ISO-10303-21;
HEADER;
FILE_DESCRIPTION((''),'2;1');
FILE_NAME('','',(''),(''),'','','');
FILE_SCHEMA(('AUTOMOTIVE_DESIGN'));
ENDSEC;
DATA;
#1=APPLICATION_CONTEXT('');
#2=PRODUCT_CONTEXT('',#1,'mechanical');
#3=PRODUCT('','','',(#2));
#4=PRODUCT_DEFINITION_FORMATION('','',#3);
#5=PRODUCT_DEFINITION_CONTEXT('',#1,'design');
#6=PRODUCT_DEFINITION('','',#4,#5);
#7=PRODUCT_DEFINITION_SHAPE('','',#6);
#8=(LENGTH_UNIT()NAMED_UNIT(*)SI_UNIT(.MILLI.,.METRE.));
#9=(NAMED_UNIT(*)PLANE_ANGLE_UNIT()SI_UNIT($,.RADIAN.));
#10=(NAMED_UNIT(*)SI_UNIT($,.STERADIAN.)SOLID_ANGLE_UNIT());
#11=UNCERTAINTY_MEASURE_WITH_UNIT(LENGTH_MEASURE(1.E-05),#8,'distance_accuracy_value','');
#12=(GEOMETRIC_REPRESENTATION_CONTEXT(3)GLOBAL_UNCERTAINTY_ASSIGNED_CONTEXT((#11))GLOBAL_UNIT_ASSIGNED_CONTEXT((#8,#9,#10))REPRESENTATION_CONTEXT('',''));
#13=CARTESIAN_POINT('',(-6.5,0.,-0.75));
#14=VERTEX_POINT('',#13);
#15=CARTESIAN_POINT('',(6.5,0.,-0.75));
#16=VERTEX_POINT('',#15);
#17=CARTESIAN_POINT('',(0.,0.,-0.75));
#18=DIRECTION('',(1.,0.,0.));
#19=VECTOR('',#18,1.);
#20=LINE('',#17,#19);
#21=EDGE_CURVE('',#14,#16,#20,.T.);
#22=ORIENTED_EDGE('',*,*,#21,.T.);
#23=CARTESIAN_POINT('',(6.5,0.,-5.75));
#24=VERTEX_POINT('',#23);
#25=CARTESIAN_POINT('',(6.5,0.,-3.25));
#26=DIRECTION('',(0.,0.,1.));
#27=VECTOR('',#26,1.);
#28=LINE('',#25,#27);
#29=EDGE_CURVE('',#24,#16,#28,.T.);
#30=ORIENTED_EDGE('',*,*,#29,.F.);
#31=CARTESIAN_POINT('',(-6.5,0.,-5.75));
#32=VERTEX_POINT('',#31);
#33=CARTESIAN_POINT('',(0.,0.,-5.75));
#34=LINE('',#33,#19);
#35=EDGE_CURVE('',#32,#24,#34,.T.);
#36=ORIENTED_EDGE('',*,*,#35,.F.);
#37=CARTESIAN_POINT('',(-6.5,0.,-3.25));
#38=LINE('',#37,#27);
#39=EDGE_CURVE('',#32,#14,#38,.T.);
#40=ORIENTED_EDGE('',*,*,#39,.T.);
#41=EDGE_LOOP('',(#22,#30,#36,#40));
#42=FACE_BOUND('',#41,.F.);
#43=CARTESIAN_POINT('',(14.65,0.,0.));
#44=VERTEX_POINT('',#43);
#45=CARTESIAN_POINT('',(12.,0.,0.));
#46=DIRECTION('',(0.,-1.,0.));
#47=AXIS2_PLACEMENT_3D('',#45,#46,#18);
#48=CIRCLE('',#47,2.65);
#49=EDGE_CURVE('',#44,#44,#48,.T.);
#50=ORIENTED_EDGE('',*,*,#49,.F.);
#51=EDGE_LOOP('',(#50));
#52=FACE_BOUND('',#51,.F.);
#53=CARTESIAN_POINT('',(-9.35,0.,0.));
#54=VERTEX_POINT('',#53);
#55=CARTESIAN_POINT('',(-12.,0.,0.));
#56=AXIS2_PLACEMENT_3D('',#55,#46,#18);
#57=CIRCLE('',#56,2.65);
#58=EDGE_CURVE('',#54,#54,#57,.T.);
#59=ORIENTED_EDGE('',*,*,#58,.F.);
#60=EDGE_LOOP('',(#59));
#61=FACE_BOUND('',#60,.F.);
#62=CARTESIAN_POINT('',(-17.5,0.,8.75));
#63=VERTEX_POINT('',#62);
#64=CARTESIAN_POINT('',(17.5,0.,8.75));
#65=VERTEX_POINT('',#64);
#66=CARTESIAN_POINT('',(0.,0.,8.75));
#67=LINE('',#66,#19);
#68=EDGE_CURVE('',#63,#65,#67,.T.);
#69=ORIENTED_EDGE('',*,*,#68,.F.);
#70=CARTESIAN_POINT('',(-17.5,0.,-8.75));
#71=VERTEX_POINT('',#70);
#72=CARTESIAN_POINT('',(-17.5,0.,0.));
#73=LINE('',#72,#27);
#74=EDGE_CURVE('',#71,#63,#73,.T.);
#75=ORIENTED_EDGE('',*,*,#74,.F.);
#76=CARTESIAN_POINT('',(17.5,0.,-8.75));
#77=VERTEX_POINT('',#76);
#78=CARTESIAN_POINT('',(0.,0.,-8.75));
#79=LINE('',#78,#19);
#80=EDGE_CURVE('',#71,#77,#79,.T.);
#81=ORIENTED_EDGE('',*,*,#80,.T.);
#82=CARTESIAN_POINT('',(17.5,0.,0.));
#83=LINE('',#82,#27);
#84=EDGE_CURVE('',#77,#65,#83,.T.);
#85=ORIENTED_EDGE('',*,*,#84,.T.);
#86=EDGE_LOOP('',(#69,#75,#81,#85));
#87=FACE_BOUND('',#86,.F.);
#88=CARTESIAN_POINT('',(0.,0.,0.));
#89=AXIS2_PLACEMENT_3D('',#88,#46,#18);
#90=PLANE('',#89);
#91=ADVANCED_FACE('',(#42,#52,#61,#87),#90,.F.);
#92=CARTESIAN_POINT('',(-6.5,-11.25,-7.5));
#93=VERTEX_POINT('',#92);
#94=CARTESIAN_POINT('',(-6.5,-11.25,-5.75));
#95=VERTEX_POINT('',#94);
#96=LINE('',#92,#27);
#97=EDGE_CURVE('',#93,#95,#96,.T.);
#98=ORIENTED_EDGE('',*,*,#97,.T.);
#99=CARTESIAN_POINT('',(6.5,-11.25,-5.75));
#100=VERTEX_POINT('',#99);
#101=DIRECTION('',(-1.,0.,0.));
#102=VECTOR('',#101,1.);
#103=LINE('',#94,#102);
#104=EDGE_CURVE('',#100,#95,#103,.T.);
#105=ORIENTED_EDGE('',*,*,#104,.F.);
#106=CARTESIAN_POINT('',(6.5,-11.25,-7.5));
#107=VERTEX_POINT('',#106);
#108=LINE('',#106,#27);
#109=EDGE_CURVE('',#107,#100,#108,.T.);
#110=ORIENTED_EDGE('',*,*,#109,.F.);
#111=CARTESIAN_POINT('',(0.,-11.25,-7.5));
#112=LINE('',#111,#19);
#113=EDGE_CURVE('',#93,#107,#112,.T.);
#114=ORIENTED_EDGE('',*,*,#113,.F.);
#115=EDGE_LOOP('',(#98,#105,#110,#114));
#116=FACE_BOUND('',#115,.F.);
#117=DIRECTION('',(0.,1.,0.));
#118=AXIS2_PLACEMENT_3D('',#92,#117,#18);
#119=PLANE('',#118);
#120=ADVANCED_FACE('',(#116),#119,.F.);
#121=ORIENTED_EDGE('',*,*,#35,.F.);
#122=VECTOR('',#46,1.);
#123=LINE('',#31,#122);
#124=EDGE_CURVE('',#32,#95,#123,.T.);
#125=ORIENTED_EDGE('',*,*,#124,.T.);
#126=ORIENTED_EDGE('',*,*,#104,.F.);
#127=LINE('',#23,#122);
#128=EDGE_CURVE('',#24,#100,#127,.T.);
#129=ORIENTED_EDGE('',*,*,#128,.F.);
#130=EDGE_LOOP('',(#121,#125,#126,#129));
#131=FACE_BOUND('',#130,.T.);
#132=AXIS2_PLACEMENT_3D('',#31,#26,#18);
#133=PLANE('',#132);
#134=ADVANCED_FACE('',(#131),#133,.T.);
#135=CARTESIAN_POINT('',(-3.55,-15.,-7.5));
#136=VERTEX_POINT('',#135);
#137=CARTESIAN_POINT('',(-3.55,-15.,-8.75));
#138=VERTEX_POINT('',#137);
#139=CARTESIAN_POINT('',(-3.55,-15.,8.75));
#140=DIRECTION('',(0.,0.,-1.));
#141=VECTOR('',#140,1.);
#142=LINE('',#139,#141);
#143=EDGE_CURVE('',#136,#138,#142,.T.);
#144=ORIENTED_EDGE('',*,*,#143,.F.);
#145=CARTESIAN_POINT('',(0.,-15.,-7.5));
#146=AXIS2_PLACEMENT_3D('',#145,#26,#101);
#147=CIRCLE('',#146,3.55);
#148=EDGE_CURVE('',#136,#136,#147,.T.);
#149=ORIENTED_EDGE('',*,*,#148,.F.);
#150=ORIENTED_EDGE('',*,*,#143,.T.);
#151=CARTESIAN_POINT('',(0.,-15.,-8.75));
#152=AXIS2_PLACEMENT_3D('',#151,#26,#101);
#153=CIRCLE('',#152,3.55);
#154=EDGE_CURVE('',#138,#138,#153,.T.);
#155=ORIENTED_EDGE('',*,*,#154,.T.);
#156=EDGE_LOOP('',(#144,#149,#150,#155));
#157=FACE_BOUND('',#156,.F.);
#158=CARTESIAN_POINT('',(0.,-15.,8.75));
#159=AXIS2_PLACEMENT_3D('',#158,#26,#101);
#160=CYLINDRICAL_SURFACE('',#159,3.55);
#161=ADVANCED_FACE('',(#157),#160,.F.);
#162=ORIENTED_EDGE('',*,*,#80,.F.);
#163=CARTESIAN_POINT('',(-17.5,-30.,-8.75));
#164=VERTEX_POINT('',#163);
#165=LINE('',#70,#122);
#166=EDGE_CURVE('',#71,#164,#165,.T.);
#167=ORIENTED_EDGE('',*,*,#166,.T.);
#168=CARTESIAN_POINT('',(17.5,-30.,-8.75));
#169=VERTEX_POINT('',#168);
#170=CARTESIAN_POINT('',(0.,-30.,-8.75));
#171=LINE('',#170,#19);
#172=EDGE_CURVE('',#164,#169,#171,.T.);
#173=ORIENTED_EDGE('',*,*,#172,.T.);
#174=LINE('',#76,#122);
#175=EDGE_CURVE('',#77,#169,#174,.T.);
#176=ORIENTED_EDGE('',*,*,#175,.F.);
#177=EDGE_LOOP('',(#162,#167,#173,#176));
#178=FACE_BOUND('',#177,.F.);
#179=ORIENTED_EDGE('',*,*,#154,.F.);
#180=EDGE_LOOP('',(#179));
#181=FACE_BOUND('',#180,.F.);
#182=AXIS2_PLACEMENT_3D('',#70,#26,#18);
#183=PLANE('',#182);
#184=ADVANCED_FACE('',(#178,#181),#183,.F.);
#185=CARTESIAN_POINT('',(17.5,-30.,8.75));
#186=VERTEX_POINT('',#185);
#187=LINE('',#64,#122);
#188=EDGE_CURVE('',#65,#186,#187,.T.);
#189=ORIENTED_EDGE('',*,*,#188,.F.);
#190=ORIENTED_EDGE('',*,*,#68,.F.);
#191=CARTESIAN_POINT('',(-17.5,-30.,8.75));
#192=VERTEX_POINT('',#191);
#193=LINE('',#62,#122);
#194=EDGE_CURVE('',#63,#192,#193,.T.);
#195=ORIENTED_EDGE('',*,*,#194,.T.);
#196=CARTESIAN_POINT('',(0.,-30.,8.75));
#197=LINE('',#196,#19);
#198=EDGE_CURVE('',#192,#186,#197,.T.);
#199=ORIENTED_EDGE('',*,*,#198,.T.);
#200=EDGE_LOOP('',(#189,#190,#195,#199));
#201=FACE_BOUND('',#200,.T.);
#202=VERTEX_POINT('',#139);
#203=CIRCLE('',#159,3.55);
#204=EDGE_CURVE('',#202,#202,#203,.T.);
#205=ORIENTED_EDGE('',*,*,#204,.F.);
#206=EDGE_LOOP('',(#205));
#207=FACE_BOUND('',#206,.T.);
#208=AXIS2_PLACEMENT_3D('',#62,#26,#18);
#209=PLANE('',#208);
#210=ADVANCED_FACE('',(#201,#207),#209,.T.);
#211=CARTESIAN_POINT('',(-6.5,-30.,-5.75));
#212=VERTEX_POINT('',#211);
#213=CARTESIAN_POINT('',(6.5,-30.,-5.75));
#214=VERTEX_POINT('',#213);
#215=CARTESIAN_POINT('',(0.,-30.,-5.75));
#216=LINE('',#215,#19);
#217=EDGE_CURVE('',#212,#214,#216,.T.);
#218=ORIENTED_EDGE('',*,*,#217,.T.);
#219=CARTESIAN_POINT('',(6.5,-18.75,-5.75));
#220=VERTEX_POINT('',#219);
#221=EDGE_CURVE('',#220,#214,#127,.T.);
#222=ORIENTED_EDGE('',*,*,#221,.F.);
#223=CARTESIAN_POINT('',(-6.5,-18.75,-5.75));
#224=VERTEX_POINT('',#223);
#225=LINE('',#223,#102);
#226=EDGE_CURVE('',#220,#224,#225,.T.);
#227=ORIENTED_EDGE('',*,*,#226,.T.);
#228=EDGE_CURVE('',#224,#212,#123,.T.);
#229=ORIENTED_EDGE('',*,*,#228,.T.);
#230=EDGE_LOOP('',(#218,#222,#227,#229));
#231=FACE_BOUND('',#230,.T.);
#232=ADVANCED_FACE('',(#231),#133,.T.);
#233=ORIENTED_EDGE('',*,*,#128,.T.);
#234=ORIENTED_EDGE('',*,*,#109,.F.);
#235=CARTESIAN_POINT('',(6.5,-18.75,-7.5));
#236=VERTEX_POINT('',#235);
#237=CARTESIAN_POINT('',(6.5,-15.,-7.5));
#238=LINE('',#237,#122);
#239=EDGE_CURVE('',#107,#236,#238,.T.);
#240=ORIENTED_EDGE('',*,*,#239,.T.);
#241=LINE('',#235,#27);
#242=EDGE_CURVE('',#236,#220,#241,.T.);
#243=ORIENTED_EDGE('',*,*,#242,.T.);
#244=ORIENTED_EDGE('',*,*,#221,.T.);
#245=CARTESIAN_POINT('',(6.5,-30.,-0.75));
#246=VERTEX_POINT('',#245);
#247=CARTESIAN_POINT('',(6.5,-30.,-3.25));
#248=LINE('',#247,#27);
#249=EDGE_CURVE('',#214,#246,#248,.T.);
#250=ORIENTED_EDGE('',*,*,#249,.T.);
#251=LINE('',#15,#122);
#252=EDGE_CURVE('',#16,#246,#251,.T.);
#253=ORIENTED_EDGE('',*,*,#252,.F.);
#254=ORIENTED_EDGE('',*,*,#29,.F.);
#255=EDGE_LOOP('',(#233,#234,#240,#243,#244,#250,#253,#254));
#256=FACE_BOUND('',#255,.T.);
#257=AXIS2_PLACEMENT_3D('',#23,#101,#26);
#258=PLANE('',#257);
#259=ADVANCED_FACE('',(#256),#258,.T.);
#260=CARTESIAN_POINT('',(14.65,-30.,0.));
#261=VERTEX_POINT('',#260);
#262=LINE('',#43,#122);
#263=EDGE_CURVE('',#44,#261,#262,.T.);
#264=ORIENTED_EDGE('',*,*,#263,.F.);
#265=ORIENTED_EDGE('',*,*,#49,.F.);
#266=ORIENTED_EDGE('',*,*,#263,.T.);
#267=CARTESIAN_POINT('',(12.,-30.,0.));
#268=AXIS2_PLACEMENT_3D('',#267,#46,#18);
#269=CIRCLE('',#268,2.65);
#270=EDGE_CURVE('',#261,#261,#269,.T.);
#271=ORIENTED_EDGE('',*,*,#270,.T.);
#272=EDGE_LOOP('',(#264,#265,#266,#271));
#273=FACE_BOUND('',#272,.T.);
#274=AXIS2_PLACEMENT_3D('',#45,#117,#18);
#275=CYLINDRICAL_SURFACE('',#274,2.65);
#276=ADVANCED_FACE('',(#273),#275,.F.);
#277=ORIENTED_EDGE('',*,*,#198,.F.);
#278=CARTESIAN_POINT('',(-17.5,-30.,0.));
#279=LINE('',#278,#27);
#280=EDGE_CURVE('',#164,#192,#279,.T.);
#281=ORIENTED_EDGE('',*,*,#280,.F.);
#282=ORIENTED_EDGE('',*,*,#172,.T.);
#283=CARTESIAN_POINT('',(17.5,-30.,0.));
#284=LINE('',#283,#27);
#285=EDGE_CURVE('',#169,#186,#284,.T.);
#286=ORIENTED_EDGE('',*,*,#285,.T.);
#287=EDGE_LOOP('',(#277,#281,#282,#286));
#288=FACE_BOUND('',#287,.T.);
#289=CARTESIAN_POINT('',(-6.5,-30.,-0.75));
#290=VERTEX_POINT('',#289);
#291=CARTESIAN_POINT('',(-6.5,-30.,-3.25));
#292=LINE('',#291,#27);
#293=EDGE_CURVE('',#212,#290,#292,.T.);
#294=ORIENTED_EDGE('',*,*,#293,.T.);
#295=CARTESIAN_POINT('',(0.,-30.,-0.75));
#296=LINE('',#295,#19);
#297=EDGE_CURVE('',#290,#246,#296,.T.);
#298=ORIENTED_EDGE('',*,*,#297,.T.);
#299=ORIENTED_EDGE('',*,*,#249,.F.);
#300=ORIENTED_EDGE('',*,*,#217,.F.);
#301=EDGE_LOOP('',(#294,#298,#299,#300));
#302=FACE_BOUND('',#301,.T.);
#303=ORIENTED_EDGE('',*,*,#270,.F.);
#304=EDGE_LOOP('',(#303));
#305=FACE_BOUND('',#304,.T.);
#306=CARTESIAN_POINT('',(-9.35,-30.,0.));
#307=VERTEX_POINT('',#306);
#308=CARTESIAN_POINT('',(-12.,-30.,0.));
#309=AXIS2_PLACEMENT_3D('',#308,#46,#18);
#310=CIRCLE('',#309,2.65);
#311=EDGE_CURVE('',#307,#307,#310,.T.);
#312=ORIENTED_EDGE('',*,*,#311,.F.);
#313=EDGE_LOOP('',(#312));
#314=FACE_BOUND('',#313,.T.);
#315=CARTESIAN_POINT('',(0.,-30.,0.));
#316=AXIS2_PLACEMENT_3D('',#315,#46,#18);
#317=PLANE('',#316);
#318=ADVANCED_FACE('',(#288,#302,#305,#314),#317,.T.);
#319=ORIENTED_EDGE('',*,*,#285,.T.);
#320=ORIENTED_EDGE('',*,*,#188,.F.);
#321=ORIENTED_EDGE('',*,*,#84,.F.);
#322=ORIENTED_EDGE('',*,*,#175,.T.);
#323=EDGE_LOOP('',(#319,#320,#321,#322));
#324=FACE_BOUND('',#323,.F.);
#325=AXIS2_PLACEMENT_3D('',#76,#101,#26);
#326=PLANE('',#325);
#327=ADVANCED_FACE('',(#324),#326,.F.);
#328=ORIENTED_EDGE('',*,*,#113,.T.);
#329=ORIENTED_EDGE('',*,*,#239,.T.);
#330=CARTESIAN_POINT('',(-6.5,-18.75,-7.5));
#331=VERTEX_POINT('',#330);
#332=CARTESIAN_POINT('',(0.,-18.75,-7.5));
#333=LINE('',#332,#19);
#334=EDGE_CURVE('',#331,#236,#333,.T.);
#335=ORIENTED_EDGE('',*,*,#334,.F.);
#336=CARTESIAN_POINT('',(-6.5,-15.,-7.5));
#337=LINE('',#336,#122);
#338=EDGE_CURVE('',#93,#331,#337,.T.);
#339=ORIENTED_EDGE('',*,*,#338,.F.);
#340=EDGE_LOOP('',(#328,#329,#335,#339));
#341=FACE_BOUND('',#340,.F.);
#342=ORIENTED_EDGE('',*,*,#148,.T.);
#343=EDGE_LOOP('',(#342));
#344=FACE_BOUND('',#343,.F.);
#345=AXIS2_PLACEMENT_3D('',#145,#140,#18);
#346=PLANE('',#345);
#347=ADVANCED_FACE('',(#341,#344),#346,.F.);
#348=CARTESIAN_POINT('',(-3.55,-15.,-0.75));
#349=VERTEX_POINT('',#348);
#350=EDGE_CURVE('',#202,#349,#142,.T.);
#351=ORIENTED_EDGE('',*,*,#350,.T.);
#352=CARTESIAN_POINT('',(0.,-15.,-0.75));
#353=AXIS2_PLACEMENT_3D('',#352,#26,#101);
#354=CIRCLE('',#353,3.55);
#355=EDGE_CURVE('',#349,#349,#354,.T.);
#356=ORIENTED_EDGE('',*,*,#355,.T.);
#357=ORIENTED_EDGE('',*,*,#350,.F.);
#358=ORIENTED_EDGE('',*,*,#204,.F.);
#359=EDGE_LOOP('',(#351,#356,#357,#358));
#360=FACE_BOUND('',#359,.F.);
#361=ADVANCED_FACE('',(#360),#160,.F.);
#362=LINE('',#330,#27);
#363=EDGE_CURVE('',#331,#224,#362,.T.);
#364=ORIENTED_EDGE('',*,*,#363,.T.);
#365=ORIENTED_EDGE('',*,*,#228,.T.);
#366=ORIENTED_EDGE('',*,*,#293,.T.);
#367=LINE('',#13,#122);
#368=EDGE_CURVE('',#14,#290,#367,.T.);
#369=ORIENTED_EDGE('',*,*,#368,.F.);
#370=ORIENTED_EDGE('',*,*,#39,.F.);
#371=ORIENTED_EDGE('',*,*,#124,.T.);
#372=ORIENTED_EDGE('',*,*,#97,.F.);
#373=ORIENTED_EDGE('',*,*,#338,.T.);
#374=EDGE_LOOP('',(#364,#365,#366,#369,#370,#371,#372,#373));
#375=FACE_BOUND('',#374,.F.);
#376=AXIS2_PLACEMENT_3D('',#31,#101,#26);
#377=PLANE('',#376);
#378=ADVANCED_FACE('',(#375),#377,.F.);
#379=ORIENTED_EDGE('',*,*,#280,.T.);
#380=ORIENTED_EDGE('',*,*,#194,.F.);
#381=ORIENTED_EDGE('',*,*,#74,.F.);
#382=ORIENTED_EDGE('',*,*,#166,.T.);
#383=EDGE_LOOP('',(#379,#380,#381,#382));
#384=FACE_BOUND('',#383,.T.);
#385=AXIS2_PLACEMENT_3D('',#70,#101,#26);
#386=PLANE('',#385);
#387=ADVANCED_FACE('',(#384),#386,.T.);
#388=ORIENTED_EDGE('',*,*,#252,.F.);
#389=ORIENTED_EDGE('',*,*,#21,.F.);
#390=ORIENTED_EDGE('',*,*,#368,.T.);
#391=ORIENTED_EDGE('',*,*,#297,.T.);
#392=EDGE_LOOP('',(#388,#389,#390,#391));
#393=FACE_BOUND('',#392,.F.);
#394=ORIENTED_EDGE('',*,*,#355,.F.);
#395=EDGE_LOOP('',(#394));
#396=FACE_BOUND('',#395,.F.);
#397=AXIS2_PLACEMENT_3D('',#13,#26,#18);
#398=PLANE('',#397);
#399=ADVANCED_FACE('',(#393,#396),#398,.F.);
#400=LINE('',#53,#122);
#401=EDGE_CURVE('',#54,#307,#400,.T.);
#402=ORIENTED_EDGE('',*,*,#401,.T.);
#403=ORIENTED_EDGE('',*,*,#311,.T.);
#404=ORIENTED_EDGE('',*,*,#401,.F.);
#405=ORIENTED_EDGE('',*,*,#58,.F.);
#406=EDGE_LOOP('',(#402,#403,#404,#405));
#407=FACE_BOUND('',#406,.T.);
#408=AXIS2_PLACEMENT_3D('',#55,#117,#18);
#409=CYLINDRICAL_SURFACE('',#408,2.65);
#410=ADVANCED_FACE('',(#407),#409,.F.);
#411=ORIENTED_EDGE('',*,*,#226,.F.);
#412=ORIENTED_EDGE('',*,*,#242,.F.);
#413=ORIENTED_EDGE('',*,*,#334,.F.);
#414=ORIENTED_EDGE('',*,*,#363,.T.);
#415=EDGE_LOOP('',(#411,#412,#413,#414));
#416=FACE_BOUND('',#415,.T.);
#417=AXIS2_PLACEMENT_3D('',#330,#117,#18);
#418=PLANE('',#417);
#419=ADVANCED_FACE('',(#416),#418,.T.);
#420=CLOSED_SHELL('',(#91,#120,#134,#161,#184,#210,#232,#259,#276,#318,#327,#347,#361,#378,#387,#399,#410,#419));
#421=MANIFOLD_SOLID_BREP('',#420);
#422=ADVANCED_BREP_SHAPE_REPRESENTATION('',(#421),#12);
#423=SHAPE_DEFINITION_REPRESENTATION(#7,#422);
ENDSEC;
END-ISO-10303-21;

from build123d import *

# Parameters (mm, degrees)
SKETCH_W        = 35
SKETCH_H        = 17.5
SKETCH_R        = 2.65
SKETCH_W_2      = 13
SKETCH_H_2      = 5
PAD_DEPTH       = 30
SKETCH001_R     = 3.55
POCKET_DEPTH    = 17.501
SKETCH002_W     = 13
SKETCH002_H     = 7.5
POCKET001_DEPTH = 5


with BuildPart() as part:
    # Sketch → Pad (new body)
    with BuildSketch(Plane.XZ):
        Rectangle(SKETCH_W, SKETCH_H)
        with Locations((-12, 0)):
            Circle(SKETCH_R, mode=Mode.SUBTRACT)
        with Locations((12, 0)):
            Circle(SKETCH_R, mode=Mode.SUBTRACT)
        with Locations((0, -3.25)):
            Rectangle(SKETCH_W_2, SKETCH_H_2, mode=Mode.SUBTRACT)
    extrude(amount=PAD_DEPTH)

    # Sketch001 (on DatumPlane) → Pocket (cut, through all)
    with BuildSketch(Plane(origin=(0, 0, 8.75), x_dir=(-1, 0, 0), z_dir=(0, 0, 1))):
        with Locations((0, 15)):
            Circle(SKETCH001_R)
    extrude(amount=-POCKET_DEPTH, mode=Mode.SUBTRACT)

    # Sketch002 → Pocket001 (cut)
    with BuildSketch(Plane(origin=(0, 0, -7.5), x_dir=(1, 0, 0), z_dir=(0, 0, -1))):
        with Locations((0, 15)):
            Rectangle(SKETCH002_W, SKETCH002_H)
    extrude(amount=-POCKET001_DEPTH, mode=Mode.SUBTRACT)


solid = part.part
